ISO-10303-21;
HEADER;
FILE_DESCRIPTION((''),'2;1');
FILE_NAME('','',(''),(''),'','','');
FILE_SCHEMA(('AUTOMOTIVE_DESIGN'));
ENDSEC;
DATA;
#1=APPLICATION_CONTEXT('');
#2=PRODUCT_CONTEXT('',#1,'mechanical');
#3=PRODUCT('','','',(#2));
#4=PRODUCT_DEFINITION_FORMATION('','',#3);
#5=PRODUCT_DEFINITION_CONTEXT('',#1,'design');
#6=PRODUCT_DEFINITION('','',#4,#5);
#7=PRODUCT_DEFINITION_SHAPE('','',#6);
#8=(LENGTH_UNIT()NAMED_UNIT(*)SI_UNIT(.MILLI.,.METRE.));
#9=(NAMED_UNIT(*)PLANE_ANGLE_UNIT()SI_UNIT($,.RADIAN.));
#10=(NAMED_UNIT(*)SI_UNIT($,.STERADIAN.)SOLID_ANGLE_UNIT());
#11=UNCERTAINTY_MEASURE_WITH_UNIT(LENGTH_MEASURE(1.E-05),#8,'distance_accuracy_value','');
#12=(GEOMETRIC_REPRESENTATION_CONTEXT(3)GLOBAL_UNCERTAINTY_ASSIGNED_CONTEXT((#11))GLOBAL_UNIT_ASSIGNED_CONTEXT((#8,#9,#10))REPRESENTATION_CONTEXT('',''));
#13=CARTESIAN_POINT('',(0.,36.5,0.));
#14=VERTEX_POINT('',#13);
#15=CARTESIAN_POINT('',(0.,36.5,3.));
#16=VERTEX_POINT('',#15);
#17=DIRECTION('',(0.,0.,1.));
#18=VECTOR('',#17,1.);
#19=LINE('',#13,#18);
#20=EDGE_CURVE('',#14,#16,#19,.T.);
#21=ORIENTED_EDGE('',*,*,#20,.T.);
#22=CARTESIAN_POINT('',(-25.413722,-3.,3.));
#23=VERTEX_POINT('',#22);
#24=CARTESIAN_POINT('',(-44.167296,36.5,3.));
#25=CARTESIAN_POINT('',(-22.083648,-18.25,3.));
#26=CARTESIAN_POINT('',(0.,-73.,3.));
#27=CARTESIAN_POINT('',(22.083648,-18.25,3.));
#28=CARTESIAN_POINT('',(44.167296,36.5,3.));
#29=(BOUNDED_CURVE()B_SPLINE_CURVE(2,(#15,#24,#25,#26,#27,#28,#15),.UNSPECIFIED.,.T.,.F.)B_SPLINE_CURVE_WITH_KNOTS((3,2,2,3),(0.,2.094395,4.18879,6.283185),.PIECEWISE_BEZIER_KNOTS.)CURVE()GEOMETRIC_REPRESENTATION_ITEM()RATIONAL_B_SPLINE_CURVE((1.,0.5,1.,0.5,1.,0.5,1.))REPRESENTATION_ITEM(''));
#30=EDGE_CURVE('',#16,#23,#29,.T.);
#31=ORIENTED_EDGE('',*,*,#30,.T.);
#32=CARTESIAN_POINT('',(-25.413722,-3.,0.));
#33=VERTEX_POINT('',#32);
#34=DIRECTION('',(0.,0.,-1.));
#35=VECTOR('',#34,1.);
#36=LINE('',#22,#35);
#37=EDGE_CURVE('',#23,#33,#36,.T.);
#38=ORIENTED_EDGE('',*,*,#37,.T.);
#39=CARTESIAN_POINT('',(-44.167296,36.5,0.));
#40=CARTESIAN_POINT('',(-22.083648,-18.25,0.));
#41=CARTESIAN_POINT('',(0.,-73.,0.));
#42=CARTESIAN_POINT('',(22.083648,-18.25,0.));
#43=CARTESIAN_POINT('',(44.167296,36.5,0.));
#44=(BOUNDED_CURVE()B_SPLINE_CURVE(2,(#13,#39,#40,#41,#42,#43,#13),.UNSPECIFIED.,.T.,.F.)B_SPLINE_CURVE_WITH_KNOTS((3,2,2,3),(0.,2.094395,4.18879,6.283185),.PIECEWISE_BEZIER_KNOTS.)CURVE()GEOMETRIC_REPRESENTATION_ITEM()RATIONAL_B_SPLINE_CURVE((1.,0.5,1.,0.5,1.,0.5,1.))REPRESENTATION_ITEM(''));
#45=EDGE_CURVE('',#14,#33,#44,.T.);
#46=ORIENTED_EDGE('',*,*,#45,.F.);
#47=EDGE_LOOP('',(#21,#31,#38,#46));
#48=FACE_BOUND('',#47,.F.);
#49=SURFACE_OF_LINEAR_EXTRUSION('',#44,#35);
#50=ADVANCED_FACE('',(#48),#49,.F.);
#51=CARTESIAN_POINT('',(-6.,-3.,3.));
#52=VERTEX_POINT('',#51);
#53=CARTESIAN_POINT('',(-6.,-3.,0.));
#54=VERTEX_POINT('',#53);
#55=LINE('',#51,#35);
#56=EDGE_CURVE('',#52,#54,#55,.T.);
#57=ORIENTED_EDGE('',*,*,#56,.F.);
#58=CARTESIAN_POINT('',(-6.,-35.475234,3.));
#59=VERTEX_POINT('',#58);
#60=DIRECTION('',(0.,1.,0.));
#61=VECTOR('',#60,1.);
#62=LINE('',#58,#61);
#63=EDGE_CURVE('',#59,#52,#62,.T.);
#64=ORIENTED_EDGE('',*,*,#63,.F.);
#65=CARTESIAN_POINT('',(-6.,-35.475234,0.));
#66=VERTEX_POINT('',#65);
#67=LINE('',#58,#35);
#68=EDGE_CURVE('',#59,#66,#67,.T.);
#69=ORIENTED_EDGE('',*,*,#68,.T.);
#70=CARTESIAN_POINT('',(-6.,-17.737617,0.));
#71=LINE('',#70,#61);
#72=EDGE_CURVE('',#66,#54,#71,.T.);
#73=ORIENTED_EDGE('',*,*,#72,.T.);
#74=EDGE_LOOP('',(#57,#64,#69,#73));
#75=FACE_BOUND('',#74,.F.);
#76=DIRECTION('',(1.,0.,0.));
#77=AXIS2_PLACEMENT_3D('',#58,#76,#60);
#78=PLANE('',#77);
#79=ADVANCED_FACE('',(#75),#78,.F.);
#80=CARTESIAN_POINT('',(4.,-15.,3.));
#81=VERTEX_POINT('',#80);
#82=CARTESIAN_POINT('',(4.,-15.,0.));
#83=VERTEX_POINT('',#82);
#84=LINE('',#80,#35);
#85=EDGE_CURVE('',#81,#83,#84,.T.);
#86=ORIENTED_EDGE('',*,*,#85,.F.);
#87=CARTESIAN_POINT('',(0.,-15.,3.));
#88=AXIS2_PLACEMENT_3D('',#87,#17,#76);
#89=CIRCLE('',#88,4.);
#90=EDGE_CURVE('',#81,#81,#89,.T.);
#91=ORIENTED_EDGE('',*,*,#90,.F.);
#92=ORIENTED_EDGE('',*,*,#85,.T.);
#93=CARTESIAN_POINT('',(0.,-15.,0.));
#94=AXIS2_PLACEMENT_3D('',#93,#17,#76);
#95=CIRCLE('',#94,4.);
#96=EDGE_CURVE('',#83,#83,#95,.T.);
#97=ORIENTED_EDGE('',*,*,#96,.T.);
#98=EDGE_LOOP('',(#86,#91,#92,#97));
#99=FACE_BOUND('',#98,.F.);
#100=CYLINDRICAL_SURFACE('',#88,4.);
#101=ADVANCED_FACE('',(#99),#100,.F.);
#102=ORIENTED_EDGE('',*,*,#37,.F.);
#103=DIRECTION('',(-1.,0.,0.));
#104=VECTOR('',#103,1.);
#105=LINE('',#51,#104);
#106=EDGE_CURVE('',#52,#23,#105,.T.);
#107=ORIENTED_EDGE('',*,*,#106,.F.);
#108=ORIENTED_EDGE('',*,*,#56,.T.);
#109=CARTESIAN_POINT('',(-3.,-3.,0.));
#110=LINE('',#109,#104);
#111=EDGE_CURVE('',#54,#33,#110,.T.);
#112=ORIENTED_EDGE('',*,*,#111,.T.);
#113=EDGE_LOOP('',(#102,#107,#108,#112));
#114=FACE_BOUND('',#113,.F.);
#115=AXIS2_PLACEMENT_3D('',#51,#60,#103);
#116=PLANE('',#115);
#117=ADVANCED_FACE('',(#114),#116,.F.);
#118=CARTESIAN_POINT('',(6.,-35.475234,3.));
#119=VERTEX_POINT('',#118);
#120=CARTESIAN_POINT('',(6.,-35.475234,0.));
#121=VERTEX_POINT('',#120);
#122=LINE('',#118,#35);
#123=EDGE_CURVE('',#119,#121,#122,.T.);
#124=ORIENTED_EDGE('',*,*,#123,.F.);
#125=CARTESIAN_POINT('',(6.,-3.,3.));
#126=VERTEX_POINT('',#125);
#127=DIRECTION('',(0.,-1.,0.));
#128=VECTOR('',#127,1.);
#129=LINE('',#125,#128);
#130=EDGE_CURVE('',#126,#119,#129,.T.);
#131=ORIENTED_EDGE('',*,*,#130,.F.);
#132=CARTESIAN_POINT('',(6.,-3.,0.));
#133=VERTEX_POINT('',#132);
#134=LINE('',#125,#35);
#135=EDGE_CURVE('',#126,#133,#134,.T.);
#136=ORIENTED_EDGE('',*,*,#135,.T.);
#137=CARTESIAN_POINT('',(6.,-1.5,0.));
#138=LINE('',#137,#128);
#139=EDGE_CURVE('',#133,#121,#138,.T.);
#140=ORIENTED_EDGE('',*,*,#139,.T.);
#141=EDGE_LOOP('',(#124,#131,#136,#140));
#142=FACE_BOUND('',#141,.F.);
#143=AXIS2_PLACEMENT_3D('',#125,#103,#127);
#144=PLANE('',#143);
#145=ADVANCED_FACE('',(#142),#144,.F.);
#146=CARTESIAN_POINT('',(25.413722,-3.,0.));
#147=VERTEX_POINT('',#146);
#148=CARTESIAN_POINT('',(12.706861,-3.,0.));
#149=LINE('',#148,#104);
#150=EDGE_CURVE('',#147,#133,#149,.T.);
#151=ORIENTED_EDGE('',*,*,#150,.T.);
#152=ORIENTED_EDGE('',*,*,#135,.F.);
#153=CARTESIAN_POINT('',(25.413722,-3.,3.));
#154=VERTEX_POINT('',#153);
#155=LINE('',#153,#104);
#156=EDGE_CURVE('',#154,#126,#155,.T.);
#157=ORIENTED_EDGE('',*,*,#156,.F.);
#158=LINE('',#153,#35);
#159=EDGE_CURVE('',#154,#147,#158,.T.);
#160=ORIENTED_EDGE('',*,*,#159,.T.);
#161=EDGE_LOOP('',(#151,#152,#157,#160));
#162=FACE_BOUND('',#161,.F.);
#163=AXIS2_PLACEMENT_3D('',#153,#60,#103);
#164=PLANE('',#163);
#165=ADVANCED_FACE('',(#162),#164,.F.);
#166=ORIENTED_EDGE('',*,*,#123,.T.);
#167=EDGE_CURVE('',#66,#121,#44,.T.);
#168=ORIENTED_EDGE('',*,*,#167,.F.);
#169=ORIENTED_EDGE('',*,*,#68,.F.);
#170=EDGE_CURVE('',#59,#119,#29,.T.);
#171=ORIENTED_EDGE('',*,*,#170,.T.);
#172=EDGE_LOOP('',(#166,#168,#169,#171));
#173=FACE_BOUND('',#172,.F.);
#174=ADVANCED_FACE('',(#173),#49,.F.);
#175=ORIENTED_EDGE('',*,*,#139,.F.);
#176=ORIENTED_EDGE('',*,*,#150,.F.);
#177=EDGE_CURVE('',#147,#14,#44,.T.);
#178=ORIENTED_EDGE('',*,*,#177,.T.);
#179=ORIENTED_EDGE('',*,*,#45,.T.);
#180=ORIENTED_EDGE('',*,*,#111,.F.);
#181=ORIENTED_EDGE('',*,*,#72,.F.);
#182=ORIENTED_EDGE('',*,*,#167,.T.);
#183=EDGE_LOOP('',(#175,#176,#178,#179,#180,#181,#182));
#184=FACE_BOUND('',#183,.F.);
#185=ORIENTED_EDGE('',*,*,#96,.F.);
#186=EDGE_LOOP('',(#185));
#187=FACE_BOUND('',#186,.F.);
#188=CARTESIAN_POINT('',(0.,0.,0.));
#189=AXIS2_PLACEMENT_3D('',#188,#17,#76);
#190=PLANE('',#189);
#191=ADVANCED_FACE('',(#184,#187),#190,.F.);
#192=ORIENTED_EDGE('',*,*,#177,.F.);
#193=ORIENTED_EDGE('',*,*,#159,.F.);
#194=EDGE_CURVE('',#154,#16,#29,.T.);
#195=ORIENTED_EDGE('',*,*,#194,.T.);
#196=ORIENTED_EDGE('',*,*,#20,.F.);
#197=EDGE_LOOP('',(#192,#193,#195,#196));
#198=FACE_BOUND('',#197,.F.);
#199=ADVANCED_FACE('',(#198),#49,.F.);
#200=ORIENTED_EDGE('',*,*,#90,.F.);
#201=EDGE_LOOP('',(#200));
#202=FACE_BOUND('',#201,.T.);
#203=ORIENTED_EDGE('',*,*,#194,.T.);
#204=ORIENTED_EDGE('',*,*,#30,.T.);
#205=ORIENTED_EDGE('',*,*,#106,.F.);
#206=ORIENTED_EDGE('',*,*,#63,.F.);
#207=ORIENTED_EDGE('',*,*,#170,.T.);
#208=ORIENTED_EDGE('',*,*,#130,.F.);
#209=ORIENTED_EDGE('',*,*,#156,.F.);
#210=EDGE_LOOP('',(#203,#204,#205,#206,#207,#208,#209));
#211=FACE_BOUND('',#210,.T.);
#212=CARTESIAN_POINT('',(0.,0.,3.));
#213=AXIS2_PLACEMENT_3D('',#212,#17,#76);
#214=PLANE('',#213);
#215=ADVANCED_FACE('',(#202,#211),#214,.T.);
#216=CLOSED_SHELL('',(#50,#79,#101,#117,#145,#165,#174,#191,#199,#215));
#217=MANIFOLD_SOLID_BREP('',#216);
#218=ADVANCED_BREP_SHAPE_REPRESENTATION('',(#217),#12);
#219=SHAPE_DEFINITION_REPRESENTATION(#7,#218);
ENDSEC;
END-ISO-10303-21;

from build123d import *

# Parameters (mm, degrees)
F1_DEPTH = 3
F4_DEPTH = 25
F2_R     = 4
F5_DEPTH = 25


with BuildPart() as f1:
    # F0 (on Top) → F1 (new body)
    with BuildSketch(Plane.XY):
        with BuildLine():
            add(Edge.make_bspline(
                [(0, 36.5), (-44.167296, 36.5), (-22.083648, -18.25), (0, -73), (22.083648, -18.25), (44.167296, 36.5), (0, 36.5)],
                knots=[0, 0, 0, 2.094395, 2.094395, 4.18879, 4.18879, 6.283185, 6.283185, 6.283185], degree=2, weights=[1, 0.5, 1, 0.5, 1, 0.5, 1]))
        make_face()
    extrude(amount=F1_DEPTH)

    # F3 (on face) → F4 (cut)
    with BuildSketch(Plane.XY.offset(3)):
        with BuildLine():
            Line((-6, -35.475234), (-6, -3))
            Line((-6, -3), (-25.413722, -3))
            add(Edge.make_bspline(
                [(-25.413722, -3), (-24.943593, -11.159594), (-22.083648, -18.25), (-16.620171, -31.795106), (-6, -35.475234)],
                knots=[1.614123, 1.614123, 1.614123, 2.094395, 2.094395, 2.925166, 2.925166, 2.925166], degree=2, weights=[0.823271, 0.885343, 1, 0.801668, 0.760678]))
        make_face()
        with BuildLine():
            Line((6, -3), (6, -35.475234))
            add(Edge.make_bspline(
                [(6, -35.475234), (16.620171, -31.795106), (22.083648, -18.25), (24.943593, -11.159594), (25.413722, -3)],
                knots=[3.358019, 3.358019, 3.358019, 4.18879, 4.18879, 4.669062, 4.669062, 4.669062], degree=2, weights=[0.760678, 0.801668, 1, 0.885343, 0.823271]))
            Line((25.413722, -3), (6, -3))
        make_face()
    extrude(amount=-F4_DEPTH, mode=Mode.SUBTRACT)

    # F2 (on face) → F5 (cut)
    with BuildSketch(Plane.XY.offset(3)):
        with Locations((0, -15)):
            Circle(F2_R)
    extrude(amount=-F5_DEPTH, mode=Mode.SUBTRACT)


solid = f1.part
